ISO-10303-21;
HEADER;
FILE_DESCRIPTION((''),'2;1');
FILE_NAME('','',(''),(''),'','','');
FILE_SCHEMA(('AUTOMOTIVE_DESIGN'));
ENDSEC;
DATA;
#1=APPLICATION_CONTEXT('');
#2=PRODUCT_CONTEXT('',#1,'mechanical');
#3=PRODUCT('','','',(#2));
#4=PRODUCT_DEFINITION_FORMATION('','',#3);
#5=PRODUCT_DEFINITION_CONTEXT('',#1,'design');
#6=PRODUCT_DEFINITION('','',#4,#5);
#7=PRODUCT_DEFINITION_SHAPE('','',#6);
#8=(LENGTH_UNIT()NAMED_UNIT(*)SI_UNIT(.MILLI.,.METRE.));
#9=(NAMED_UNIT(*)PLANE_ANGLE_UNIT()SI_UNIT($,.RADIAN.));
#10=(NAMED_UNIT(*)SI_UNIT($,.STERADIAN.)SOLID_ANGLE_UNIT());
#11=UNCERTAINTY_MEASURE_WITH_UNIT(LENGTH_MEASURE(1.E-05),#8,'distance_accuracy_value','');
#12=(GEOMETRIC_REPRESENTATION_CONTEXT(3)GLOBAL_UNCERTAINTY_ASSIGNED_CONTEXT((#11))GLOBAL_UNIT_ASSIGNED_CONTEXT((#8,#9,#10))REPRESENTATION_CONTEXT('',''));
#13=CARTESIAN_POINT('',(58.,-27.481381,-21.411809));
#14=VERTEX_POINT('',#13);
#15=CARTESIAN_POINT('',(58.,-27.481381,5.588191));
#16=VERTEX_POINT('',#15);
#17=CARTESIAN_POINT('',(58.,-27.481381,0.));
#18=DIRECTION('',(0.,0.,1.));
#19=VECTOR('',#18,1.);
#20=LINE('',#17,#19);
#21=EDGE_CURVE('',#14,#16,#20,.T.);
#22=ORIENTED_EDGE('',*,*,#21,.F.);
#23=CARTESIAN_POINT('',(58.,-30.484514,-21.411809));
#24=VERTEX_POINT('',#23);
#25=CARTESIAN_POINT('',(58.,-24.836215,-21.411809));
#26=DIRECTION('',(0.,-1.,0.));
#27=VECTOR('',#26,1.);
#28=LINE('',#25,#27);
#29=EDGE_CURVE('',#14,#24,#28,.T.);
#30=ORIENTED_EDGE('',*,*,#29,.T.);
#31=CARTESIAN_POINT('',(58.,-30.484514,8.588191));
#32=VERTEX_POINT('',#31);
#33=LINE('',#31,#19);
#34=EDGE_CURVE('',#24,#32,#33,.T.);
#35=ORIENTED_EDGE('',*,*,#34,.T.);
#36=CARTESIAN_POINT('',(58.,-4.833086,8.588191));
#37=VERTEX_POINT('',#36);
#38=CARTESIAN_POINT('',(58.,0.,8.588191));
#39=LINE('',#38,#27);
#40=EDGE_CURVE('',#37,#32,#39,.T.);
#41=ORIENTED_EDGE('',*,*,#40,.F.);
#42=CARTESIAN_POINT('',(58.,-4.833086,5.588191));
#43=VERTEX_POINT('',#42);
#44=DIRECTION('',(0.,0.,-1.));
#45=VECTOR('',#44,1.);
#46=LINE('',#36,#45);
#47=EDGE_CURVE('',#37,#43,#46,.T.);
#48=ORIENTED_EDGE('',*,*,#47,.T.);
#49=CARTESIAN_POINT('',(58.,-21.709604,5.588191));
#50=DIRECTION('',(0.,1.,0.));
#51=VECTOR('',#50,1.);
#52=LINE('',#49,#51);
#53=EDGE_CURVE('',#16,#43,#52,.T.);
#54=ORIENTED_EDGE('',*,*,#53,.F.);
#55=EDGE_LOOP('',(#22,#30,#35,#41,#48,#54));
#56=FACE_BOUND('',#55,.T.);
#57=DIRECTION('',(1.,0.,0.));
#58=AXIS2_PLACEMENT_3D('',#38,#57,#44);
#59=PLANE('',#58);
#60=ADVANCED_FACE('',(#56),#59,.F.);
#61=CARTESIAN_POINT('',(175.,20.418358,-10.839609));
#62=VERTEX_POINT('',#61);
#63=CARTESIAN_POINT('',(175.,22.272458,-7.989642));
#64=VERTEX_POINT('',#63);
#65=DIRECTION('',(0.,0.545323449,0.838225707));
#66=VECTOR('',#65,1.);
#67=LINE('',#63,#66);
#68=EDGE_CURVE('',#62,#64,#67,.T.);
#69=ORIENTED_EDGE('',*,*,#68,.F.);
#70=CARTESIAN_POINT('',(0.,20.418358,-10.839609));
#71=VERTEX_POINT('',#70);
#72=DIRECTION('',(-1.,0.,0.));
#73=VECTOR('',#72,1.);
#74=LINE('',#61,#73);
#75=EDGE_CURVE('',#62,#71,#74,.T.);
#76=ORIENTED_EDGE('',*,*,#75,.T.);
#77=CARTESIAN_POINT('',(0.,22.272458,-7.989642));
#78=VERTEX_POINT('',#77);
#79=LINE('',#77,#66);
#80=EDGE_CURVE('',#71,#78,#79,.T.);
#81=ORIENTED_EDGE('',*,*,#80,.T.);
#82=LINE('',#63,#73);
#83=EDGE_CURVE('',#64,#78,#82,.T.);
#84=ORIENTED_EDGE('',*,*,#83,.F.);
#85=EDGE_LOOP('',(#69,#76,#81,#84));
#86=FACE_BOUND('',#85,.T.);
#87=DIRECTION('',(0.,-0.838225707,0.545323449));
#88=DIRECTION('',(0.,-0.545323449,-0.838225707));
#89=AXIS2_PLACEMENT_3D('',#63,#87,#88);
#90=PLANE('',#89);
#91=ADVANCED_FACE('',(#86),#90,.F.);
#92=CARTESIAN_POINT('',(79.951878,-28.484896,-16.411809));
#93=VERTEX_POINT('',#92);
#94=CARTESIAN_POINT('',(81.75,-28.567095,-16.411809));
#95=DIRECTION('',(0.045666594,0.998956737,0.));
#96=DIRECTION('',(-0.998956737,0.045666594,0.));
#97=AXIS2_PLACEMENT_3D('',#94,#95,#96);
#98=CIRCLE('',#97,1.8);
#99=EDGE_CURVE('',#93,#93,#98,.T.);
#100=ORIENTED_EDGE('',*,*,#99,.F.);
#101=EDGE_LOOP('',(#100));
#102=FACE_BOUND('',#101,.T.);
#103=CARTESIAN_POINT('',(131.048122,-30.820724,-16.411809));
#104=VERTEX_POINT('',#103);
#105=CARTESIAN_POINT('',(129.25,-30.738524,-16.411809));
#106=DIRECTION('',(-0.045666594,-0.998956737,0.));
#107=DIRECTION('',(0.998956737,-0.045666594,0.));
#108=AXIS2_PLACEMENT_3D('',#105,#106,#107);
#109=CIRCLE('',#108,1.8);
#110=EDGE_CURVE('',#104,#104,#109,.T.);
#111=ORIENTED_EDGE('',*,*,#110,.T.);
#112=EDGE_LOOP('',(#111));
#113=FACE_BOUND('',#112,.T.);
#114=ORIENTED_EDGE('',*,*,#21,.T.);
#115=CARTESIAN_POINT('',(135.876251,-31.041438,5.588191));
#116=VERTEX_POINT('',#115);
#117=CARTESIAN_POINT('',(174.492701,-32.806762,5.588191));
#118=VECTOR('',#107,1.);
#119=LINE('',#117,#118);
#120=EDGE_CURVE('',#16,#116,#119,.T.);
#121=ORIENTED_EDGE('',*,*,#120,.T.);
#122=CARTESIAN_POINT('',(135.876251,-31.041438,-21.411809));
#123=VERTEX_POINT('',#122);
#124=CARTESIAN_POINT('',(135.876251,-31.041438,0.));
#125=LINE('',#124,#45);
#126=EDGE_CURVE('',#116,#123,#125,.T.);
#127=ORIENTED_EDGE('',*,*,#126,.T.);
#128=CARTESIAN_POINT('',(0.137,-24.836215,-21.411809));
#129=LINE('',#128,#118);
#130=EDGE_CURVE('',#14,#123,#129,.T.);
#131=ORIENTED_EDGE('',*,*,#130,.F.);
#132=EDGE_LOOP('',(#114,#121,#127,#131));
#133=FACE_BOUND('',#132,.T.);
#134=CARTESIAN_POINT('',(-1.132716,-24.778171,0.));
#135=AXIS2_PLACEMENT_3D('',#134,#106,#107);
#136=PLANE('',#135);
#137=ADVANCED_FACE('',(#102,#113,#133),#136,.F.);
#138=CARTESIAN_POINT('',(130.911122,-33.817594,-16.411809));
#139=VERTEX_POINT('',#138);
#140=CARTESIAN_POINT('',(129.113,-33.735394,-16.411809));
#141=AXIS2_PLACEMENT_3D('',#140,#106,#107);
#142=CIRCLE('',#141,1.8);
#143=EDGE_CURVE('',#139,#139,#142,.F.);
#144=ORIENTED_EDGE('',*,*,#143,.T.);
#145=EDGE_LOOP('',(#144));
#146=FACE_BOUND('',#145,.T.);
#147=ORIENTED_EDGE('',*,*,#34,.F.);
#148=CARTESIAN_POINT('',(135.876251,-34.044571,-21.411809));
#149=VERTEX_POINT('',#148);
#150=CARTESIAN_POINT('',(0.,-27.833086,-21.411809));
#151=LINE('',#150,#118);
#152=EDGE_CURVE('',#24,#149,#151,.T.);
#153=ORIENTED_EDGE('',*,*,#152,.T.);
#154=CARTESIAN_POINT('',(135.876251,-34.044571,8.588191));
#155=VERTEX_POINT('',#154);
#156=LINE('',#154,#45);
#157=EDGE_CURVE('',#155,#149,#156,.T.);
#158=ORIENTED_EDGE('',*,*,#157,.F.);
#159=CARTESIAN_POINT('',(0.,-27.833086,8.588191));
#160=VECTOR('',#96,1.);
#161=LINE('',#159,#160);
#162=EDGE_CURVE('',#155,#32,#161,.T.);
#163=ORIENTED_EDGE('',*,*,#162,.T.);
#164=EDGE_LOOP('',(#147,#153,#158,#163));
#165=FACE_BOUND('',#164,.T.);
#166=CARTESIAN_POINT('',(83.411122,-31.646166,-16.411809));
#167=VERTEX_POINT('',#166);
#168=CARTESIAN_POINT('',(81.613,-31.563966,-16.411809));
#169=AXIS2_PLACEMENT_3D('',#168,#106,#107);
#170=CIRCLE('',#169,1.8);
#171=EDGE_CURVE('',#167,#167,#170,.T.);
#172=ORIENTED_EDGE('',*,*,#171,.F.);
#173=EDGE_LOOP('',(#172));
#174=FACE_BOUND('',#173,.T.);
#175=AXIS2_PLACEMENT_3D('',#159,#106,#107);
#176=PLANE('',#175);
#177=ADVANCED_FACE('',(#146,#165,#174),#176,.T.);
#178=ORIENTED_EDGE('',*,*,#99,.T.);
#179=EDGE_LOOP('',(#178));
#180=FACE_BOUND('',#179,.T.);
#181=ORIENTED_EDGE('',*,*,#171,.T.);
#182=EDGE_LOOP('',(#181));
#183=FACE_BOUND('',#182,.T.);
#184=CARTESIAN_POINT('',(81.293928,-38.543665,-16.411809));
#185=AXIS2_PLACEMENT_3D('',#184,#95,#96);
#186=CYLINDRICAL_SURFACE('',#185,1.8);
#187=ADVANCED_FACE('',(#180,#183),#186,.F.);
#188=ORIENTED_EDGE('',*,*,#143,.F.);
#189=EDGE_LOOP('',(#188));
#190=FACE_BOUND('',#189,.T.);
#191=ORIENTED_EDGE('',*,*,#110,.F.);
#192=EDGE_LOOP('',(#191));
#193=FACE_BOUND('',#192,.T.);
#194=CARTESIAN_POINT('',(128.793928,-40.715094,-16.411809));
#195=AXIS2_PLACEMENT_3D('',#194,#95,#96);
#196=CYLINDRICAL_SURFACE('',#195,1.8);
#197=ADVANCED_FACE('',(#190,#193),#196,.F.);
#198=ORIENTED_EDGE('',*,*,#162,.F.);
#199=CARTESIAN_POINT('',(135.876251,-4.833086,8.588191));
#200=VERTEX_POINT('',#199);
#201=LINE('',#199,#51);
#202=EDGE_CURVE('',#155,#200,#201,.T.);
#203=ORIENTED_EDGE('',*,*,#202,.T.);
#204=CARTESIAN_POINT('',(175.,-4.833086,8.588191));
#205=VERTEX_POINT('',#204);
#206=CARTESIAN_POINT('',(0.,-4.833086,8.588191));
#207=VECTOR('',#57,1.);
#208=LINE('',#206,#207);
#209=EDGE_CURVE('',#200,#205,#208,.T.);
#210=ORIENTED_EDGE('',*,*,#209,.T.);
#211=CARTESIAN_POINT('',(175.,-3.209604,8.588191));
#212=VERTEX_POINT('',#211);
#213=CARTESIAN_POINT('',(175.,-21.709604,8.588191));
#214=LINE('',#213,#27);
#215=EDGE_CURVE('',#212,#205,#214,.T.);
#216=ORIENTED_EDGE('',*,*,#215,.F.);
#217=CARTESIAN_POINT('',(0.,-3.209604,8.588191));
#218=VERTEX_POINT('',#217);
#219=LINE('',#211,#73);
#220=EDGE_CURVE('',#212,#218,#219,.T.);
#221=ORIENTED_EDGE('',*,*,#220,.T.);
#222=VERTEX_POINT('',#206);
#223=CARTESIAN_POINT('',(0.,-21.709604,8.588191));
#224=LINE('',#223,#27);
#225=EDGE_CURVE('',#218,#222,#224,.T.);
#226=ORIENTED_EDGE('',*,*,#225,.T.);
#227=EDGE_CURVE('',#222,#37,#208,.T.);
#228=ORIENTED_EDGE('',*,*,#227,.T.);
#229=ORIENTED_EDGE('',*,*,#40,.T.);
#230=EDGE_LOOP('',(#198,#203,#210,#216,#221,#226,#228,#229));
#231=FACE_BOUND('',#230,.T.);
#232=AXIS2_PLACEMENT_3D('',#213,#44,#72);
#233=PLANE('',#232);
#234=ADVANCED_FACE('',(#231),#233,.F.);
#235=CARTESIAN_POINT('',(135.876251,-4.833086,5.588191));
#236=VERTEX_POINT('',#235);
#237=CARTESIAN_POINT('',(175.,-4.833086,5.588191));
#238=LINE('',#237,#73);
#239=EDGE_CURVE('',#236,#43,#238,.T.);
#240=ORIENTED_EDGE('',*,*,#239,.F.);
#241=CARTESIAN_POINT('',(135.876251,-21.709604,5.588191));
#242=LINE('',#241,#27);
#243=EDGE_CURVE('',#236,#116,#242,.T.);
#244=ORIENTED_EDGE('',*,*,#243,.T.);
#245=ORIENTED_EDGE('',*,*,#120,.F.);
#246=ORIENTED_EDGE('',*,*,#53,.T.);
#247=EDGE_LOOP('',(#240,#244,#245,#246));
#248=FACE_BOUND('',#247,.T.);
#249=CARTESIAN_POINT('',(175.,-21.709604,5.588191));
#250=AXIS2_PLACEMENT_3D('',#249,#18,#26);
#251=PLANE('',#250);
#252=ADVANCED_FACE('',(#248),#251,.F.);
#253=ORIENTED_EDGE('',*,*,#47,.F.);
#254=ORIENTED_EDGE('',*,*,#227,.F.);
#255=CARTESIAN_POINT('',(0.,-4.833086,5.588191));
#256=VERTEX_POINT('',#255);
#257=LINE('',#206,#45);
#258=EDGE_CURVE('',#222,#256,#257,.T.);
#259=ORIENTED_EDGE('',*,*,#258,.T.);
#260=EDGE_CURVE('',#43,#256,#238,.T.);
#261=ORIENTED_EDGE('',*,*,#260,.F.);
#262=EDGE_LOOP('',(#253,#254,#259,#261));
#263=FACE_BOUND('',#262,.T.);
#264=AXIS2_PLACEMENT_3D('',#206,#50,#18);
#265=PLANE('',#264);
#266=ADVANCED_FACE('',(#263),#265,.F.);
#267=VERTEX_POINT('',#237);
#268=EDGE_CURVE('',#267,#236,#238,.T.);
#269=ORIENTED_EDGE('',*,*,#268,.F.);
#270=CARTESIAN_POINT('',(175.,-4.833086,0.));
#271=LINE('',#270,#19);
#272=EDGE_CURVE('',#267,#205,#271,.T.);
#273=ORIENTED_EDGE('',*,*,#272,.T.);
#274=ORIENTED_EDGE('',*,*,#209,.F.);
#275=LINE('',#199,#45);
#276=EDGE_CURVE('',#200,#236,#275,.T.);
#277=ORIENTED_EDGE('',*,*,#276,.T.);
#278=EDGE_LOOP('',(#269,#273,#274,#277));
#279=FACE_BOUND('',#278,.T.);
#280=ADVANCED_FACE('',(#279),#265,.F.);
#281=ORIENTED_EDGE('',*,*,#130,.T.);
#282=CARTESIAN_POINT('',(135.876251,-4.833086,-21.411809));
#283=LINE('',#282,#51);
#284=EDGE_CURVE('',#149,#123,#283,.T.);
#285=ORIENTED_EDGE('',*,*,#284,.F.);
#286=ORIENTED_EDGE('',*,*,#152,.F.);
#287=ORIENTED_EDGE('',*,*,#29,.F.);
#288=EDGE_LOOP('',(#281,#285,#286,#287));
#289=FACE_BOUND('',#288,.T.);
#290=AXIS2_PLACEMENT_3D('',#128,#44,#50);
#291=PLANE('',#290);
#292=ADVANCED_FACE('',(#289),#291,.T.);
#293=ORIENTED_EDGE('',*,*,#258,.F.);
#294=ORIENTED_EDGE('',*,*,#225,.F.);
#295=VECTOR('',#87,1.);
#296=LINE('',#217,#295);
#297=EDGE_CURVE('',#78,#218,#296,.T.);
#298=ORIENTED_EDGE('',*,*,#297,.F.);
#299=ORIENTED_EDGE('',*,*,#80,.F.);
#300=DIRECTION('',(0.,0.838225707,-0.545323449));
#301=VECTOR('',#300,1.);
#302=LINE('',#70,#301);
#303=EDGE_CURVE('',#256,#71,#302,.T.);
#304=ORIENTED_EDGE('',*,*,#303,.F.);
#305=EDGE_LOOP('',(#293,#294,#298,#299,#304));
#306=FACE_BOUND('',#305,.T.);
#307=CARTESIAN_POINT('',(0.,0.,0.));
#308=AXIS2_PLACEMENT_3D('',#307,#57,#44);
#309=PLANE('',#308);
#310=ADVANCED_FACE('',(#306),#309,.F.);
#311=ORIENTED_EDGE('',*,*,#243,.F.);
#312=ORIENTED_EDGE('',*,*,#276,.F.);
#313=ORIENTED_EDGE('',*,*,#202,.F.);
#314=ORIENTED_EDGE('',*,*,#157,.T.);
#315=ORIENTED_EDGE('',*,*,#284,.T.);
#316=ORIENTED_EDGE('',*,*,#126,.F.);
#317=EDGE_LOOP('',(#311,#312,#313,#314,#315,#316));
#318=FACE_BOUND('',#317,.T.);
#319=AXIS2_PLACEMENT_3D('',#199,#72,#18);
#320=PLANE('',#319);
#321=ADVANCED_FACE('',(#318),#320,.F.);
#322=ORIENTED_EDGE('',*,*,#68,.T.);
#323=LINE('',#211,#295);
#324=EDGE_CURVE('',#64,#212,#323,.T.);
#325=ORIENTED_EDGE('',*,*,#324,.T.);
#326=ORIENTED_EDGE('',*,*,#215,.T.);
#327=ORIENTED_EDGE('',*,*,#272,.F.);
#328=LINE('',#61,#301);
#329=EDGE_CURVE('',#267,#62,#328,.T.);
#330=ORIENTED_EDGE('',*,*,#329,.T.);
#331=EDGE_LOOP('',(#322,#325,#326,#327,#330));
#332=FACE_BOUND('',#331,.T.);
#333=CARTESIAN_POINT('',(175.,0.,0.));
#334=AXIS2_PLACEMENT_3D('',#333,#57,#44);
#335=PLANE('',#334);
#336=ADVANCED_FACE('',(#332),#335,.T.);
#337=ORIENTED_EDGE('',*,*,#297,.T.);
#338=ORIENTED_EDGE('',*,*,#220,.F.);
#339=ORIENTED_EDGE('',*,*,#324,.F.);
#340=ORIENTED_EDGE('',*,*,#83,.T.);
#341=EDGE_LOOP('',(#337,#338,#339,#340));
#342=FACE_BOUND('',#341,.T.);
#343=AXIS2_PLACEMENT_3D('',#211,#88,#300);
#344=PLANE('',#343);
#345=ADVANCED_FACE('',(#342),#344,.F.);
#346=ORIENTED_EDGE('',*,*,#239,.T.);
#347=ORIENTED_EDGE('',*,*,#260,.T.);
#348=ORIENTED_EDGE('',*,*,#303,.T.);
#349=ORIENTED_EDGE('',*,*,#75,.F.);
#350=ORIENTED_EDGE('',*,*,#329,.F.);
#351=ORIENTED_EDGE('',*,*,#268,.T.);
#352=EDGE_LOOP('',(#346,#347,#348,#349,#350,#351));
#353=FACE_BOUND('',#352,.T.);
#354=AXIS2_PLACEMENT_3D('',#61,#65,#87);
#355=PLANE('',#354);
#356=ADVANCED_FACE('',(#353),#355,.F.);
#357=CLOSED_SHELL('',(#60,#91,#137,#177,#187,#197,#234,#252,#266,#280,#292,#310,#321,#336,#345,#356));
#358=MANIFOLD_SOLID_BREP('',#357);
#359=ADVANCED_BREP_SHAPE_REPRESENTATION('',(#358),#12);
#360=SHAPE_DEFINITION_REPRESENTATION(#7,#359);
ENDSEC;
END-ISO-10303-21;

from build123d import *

# Parameters (mm, degrees)
BOSS_EXTRUDE1_DEPTH     = 175
BOSS_EXTRUDE2_DEPTH     = 3
SKETCH3_W               = 175.182761709
SKETCH3_H               = 30
BOSS_EXTRUDE3_DEPTH     = 3
CUT_EXTRUDE2_DEPTH      = 181.792640115
CUT_EXTRUDE2_DEPTH_BACK = 181.792640115
CUT_EXTRUDE3_DEPTH      = 184.561872553
CUT_EXTRUDE3_DEPTH_BACK = 184.561872553
SKETCH6_R               = 1.8
CUT_EXTRUDE4_DEPTH      = 181.463142487
CUT_EXTRUDE4_DEPTH_BACK = 181.463142487
SKETCH7_W               = 17.123749229
SKETCH7_H               = 37.285884773


with BuildPart() as part:
    # Sketch1 → Boss-Extrude1 (new body)
    with BuildSketch(Plane(origin=(0, 0, 0), x_dir=(0, 0, -1), z_dir=(1, 0, 0))):
        Polygon((-8.588191211, -21.709603514), (-8.588191211, -3.209603514), (7.989641648, 22.272457974), (10.839609051, 20.418358247), (-5.588191211, -4.833085652), (-5.588191211, -21.709603514), align=None)
    extrude(amount=BOSS_EXTRUDE1_DEPTH)

    # Sketch2 → Boss-Extrude2 (add)
    with BuildSketch(Plane(origin=(0, 0, 5.588191211), x_dir=(-1, 0, 0), z_dir=(0, 0, -1))):
        Polygon((-175, -4.833085652), (-175, -35.833085652), (0, -27.833085652), (0, -4.833085652), align=None)
    extrude(amount=-BOSS_EXTRUDE2_DEPTH)

    # Sketch3 → Boss-Extrude3 (add)
    with BuildSketch(Plane(origin=(-1.269716182, -27.775041484, 0), x_dir=(0.9989567369115598, -0.045666593687385605, 0), z_dir=(-0.045666593687385605, -0.9989567369115598, 0))):
        with Locations((88.862423069, -6.411808789)):
            Rectangle(SKETCH3_W, SKETCH3_H)
    extrude(amount=-BOSS_EXTRUDE3_DEPTH)

    # Sketch5 → Cut-Extrude2 (cut, two sides: drawn at the far end of the back side and taken through both)
    with BuildSketch(Plane(origin=(0, 0, 5.588191211), x_dir=(-1, 0, 0), z_dir=(0, 0, -1)).offset(-CUT_EXTRUDE2_DEPTH_BACK)):
        Polygon((-153, -31.824238309), (-153, -4.833085652), (-175, -4.833085652), (-175, -32.829952595), align=None)
        Polygon((-153, -39.90576601), (-153, -31.824238309), (-175, -32.829952595), (-175, -4.833085652), (-195.370559552, -4.833085652), (-195.370559552, -39.90576601), align=None)
        Polygon((-0.136999781, -24.836215442), (-58, -27.481381166), (-58, -41.473834752), (0, -41.473834752), (0, -27.833085652), align=None)
        Polygon((0, -4.833085652), (-58, -4.833085652), (-58, -27.481381166), (-0.136999781, -24.836215442), (0, -27.833085652), align=None)
    extrude(amount=CUT_EXTRUDE2_DEPTH + CUT_EXTRUDE2_DEPTH_BACK, mode=Mode.SUBTRACT)

    # Sketch6 → Cut-Extrude3 (cut, two sides: drawn at the far end of the back side and taken through both)
    with BuildSketch(Plane(origin=(-1.132716401, -24.778171273, 0), x_dir=(0.9989567369115598, -0.045666593687385605, 0), z_dir=(0.045666593687385605, 0.9989567369115598, 0)).offset(-CUT_EXTRUDE3_DEPTH_BACK)):
        with Locations(Location((82.969275183, 16.411808789, 0), (0, 0, 180))):
            Circle(SKETCH6_R)
        with Locations((130.518881933, 16.411808789)):
            Circle(SKETCH6_R)
    extrude(amount=CUT_EXTRUDE3_DEPTH + CUT_EXTRUDE3_DEPTH_BACK, mode=Mode.SUBTRACT)

    # Sketch7 → Cut-Extrude4 (cut, two sides: drawn at the far end of the back side and taken through both)
    with BuildSketch(Plane(origin=(0, 0, 5.588191211), x_dir=(-1, 0, 0), z_dir=(0, 0, -1)).offset(-CUT_EXTRUDE4_DEPTH_BACK)):
        with Locations((-144.438125386, -23.476028039)):
            Rectangle(SKETCH7_W, SKETCH7_H)
    extrude(amount=CUT_EXTRUDE4_DEPTH + CUT_EXTRUDE4_DEPTH_BACK, mode=Mode.SUBTRACT)


solid = part.part
